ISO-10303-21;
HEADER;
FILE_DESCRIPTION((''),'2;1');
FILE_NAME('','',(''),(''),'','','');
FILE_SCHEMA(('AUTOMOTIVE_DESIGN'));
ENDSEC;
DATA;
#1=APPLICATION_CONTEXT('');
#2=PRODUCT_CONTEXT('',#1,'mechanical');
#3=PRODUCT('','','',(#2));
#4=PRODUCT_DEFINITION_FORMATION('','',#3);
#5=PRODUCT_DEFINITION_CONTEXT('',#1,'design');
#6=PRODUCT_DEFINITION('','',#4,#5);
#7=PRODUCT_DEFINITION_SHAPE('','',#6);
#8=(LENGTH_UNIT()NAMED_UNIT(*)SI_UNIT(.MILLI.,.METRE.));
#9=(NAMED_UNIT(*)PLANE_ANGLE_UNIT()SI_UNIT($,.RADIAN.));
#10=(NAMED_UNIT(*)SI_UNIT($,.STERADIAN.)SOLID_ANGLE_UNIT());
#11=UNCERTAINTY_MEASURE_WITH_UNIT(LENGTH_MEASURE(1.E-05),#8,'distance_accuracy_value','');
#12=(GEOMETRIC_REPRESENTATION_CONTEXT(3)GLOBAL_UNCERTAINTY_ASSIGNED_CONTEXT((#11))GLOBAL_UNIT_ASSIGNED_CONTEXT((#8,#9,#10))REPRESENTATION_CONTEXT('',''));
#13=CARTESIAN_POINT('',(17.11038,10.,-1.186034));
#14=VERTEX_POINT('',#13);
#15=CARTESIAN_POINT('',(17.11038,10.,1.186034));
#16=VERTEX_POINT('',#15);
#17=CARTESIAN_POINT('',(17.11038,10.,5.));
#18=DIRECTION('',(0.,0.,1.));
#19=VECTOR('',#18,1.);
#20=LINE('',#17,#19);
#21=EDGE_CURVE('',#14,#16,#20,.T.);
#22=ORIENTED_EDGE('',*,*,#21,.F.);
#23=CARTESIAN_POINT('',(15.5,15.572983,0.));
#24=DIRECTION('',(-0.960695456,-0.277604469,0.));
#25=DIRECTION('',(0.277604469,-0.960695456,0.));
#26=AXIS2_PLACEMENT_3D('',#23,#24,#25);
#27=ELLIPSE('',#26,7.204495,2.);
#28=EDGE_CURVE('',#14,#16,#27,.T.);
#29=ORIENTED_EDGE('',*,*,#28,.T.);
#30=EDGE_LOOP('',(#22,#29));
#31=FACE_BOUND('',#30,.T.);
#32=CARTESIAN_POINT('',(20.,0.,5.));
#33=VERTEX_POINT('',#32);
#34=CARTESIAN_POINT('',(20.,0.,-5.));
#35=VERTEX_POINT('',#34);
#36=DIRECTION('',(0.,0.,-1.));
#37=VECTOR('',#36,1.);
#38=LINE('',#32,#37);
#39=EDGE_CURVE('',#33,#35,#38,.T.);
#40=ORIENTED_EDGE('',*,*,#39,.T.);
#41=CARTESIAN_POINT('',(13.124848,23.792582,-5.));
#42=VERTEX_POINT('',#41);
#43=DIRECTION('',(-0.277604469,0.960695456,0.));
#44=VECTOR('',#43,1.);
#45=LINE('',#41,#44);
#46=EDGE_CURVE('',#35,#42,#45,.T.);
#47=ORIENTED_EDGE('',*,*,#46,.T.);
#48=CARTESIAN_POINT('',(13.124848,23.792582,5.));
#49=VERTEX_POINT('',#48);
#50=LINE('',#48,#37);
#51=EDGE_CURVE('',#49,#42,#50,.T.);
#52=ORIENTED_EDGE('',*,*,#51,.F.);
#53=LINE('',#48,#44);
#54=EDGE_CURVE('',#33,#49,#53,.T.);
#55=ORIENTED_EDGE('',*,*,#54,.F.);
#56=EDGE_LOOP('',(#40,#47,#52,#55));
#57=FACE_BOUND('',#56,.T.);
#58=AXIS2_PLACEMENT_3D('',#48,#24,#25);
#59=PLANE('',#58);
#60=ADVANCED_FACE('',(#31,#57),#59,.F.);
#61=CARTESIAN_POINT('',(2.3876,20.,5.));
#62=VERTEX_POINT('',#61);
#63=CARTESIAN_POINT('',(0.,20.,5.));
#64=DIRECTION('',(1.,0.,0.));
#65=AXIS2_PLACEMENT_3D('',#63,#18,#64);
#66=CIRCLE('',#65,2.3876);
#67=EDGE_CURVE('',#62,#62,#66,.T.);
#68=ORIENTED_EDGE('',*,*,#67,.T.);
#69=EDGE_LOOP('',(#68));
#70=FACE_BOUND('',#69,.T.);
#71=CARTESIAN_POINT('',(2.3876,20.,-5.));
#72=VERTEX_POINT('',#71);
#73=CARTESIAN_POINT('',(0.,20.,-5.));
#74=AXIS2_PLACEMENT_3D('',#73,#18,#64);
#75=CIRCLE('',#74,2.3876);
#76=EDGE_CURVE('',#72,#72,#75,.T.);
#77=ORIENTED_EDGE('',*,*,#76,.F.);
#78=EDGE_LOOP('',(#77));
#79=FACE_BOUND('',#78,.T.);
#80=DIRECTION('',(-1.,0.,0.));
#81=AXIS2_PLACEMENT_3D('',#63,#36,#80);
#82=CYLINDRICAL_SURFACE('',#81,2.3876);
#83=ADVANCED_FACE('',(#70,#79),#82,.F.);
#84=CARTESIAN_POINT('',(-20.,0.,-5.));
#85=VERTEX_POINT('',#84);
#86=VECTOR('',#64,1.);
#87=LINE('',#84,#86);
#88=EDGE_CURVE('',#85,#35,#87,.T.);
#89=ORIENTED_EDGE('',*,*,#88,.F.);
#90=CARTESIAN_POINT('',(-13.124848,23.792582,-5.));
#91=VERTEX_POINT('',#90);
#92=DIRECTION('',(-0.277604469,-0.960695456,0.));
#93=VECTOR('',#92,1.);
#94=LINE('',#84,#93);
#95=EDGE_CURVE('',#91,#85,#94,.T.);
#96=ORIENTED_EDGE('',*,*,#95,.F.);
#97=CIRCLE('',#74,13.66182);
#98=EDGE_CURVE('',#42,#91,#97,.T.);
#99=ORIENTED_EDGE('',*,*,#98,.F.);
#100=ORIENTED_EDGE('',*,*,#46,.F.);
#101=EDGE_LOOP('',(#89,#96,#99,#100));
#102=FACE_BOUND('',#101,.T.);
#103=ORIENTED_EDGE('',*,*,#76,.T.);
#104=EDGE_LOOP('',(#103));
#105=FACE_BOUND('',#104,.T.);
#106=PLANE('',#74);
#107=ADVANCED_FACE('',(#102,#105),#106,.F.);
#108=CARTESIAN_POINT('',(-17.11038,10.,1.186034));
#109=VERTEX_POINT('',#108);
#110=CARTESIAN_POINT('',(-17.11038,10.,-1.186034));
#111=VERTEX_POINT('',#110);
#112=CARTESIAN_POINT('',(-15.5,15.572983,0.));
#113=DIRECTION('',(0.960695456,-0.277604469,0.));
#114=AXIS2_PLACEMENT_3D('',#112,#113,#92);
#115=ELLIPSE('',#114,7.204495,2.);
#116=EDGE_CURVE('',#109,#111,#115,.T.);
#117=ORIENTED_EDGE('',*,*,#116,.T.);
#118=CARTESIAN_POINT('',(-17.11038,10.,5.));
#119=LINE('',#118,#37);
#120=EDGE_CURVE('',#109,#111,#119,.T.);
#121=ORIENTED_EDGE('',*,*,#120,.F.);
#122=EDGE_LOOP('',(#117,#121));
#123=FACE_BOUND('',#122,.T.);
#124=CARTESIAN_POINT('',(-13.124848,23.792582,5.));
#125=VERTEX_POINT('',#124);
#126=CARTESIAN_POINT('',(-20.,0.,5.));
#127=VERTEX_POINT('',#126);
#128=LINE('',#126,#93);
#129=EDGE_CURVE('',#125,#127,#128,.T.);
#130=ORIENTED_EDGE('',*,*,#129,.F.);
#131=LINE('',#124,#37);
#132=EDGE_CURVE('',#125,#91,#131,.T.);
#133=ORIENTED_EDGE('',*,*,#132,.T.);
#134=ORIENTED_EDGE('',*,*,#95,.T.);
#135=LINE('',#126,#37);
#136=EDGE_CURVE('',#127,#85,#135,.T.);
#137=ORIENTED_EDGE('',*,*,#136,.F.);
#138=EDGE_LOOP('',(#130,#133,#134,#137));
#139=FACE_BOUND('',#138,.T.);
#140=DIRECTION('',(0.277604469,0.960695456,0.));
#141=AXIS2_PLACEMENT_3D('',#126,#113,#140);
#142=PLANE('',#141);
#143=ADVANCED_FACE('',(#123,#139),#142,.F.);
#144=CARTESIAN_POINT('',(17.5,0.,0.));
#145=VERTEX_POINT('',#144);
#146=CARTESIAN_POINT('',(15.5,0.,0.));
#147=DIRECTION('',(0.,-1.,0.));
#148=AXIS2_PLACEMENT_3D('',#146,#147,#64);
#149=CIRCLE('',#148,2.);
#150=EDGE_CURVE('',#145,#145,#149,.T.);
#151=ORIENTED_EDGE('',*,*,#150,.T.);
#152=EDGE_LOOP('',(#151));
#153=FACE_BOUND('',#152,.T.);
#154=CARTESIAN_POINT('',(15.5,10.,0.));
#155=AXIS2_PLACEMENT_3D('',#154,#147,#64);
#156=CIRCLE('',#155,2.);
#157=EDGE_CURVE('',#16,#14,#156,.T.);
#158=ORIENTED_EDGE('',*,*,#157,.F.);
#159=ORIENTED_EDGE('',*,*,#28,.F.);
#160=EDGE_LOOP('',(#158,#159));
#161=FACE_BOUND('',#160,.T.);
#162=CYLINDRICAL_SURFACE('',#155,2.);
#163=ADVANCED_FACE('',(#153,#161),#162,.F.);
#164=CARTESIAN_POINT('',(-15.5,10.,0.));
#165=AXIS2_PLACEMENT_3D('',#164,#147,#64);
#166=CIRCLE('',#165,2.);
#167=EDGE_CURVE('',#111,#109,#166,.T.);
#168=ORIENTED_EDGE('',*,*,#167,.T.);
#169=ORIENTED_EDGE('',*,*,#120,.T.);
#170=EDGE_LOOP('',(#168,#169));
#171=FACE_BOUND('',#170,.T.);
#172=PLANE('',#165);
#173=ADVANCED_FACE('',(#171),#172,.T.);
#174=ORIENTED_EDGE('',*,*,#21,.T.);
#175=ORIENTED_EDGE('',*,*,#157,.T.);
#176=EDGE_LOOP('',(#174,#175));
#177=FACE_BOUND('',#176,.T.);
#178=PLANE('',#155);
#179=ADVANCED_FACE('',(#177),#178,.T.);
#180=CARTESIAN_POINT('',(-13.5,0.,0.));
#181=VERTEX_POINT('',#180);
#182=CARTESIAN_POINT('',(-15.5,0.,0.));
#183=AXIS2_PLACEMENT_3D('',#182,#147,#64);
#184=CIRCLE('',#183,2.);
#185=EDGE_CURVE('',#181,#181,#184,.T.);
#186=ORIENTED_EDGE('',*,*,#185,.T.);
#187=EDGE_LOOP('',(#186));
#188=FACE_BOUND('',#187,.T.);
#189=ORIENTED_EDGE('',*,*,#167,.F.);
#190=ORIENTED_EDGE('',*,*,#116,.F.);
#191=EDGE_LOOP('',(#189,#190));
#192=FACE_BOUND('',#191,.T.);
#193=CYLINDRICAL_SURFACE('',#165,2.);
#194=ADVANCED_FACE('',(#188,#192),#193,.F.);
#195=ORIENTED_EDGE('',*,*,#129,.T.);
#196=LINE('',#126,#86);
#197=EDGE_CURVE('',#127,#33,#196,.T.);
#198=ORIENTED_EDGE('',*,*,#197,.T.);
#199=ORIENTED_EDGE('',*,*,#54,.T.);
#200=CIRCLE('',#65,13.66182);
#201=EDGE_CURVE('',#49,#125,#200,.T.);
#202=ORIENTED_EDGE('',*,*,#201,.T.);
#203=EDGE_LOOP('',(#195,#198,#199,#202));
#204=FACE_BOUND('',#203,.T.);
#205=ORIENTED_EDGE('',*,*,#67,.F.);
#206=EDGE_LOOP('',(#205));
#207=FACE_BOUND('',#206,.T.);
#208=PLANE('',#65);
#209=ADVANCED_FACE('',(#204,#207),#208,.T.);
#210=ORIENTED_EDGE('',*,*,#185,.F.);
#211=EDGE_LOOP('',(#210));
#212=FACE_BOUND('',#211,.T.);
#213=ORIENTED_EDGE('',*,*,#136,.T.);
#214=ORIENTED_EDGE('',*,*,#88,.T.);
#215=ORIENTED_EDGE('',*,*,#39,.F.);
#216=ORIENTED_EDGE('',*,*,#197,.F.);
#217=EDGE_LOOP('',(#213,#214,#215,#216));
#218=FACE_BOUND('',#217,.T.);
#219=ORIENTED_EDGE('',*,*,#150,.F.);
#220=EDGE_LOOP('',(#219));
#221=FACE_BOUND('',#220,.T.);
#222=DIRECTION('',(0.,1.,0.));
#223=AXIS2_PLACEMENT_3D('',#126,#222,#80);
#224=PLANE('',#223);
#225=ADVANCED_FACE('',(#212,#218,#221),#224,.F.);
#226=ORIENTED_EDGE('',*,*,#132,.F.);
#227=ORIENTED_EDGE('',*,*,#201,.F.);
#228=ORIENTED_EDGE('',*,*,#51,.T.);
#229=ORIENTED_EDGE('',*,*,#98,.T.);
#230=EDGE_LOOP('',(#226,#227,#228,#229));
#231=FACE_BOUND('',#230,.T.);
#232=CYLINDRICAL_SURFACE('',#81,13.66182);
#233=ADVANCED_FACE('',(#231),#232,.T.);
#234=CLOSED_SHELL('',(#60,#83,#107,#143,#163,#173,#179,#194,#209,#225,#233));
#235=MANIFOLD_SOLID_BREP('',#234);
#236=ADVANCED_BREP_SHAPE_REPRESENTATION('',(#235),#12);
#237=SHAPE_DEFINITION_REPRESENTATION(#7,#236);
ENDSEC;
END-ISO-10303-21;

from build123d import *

# Parameters (mm, degrees)
SKETCH2_R           = 2.3876
BOSS_EXTRUDE1_DEPTH = 5
SKETCH3_R           = 2
CUT_EXTRUDE1_DEPTH  = 10


with BuildPart() as part:
    # Sketch2 → Boss-Extrude1 (new body, symmetric)
    with BuildSketch(Plane.XY):
        with BuildLine():
            Line((-20, 0), (20, 0))
            Line((20, 0), (13.124848139, 23.792582213))
            ThreePointArc((13.124848139, 23.792582213), (0, 33.661819737), (-13.124848139, 23.792582213))
            Line((-13.124848139, 23.792582213), (-20, 0))
        make_face()
        with Locations((0, 20)):
            Circle(SKETCH2_R, mode=Mode.SUBTRACT)
    extrude(amount=BOSS_EXTRUDE1_DEPTH, both=True)

    # Sketch3 → Cut-Extrude1 (cut)
    with BuildSketch(Plane(origin=(0, 0, 0), x_dir=(-1, 0, 0), z_dir=(0, -1, 0))):
        with Locations((15.5, 0)):
            Circle(SKETCH3_R)
        with Locations((-15.5, 0)):
            Circle(SKETCH3_R)
    extrude(amount=-CUT_EXTRUDE1_DEPTH, mode=Mode.SUBTRACT)


solid = part.part
